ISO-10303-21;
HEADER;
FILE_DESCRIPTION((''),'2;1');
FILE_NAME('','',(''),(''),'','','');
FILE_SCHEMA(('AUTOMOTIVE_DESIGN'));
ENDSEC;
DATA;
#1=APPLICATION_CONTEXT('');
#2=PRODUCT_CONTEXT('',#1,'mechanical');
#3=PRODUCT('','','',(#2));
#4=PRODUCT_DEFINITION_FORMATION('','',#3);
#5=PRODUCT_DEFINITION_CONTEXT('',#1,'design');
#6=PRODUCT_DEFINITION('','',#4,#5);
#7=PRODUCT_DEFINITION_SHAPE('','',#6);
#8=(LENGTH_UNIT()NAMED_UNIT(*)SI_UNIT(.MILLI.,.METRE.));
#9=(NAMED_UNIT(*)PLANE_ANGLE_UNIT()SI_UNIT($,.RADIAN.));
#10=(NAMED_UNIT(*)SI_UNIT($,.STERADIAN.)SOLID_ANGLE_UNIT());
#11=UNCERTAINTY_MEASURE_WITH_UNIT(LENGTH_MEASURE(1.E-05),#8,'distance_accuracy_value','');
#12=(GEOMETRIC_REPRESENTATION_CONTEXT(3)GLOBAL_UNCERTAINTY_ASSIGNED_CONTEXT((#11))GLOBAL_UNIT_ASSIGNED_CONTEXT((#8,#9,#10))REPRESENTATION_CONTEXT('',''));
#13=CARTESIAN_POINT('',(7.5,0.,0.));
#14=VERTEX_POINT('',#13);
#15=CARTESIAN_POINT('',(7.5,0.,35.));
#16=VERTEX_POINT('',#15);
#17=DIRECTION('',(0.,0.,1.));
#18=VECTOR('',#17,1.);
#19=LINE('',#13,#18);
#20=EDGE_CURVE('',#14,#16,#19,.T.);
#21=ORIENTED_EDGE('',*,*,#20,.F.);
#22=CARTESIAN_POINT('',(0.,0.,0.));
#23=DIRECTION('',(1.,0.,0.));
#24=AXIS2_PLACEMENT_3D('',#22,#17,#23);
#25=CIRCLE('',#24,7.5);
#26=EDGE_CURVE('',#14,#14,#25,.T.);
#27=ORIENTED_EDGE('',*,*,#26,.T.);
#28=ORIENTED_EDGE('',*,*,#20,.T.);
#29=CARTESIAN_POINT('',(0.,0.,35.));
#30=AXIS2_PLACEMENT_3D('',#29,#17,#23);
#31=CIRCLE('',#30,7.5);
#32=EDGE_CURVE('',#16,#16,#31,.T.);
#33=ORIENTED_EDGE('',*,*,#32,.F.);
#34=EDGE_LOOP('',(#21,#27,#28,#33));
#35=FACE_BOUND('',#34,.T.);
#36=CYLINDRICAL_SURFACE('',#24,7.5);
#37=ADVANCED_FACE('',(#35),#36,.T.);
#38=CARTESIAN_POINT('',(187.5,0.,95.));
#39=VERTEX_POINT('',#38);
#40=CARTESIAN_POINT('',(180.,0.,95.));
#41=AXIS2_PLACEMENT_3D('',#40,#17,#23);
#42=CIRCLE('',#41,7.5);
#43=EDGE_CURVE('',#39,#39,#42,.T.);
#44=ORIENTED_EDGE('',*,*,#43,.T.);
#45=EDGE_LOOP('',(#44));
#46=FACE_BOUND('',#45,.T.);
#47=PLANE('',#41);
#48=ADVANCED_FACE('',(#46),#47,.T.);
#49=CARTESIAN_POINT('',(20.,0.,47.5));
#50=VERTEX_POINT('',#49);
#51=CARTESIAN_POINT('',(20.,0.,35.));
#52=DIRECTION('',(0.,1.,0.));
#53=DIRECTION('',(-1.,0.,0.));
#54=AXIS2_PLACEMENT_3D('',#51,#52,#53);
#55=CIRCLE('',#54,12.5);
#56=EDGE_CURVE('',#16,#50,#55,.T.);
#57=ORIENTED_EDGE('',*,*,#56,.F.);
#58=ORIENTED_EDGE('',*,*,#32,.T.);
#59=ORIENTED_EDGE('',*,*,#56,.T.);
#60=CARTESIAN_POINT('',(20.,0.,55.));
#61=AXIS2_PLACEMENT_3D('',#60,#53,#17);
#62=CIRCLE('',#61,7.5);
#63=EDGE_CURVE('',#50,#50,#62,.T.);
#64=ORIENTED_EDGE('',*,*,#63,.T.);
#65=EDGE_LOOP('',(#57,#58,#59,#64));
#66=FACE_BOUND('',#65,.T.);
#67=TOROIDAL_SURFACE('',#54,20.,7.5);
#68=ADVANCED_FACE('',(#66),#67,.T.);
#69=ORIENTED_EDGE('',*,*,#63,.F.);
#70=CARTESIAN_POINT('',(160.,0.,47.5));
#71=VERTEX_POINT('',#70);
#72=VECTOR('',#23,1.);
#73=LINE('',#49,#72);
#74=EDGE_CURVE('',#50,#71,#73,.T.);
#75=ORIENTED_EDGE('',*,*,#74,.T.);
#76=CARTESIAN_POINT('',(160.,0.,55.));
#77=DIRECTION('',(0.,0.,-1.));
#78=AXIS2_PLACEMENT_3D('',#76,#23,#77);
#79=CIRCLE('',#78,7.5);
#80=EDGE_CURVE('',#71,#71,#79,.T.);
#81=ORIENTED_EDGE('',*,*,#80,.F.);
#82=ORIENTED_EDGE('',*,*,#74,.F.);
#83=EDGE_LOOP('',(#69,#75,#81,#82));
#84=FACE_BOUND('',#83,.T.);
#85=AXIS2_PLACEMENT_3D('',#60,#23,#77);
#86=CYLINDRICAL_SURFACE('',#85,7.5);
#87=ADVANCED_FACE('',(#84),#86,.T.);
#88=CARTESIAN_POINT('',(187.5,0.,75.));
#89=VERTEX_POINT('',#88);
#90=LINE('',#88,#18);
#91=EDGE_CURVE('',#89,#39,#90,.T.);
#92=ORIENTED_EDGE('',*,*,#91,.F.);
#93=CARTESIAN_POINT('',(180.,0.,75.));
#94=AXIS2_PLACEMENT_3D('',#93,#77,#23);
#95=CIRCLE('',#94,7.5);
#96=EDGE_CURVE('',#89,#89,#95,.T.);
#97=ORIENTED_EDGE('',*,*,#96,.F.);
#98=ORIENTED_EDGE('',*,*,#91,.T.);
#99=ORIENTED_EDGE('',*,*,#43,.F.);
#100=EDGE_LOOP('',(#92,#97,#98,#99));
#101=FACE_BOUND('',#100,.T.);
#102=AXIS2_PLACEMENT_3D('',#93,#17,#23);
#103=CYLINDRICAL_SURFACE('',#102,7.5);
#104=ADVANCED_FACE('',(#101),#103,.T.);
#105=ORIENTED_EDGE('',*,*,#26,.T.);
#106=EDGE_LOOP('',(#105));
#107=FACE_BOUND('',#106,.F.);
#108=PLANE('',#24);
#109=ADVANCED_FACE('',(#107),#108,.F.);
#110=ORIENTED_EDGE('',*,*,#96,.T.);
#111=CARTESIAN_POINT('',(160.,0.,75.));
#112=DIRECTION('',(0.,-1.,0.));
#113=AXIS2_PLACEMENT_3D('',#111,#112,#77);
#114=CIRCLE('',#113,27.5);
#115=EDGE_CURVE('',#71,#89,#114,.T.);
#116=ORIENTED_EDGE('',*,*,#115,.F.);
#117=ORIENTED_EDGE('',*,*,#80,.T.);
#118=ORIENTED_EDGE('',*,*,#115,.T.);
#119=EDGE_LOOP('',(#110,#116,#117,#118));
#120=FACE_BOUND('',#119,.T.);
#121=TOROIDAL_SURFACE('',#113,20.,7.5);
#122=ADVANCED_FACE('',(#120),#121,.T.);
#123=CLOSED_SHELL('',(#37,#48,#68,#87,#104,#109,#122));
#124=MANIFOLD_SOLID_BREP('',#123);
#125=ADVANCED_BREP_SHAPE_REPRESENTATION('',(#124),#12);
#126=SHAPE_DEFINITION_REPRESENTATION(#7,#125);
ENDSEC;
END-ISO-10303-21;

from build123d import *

# Parameters (mm, degrees)
F0_R = 7.5


with BuildPart() as f2:
    # F2: sweep along a path in F1
    with BuildLine(Plane.XZ) as f2_path:
        Line((0, 0), (0, 35))
        ThreePointArc((0, 35), (5.8578643763, 49.1421356237), (20, 55))
        Line((20, 55), (160, 55))
        ThreePointArc((160, 55), (174.1421356237, 60.8578643763), (180, 75))
        Line((180, 75), (180, 95))
    # F0 (on Top) → F2 (sweep)
    with BuildSketch(Plane.XY):
        Circle(F0_R)
    sweep(path=f2_path.line)


solid = f2.part
